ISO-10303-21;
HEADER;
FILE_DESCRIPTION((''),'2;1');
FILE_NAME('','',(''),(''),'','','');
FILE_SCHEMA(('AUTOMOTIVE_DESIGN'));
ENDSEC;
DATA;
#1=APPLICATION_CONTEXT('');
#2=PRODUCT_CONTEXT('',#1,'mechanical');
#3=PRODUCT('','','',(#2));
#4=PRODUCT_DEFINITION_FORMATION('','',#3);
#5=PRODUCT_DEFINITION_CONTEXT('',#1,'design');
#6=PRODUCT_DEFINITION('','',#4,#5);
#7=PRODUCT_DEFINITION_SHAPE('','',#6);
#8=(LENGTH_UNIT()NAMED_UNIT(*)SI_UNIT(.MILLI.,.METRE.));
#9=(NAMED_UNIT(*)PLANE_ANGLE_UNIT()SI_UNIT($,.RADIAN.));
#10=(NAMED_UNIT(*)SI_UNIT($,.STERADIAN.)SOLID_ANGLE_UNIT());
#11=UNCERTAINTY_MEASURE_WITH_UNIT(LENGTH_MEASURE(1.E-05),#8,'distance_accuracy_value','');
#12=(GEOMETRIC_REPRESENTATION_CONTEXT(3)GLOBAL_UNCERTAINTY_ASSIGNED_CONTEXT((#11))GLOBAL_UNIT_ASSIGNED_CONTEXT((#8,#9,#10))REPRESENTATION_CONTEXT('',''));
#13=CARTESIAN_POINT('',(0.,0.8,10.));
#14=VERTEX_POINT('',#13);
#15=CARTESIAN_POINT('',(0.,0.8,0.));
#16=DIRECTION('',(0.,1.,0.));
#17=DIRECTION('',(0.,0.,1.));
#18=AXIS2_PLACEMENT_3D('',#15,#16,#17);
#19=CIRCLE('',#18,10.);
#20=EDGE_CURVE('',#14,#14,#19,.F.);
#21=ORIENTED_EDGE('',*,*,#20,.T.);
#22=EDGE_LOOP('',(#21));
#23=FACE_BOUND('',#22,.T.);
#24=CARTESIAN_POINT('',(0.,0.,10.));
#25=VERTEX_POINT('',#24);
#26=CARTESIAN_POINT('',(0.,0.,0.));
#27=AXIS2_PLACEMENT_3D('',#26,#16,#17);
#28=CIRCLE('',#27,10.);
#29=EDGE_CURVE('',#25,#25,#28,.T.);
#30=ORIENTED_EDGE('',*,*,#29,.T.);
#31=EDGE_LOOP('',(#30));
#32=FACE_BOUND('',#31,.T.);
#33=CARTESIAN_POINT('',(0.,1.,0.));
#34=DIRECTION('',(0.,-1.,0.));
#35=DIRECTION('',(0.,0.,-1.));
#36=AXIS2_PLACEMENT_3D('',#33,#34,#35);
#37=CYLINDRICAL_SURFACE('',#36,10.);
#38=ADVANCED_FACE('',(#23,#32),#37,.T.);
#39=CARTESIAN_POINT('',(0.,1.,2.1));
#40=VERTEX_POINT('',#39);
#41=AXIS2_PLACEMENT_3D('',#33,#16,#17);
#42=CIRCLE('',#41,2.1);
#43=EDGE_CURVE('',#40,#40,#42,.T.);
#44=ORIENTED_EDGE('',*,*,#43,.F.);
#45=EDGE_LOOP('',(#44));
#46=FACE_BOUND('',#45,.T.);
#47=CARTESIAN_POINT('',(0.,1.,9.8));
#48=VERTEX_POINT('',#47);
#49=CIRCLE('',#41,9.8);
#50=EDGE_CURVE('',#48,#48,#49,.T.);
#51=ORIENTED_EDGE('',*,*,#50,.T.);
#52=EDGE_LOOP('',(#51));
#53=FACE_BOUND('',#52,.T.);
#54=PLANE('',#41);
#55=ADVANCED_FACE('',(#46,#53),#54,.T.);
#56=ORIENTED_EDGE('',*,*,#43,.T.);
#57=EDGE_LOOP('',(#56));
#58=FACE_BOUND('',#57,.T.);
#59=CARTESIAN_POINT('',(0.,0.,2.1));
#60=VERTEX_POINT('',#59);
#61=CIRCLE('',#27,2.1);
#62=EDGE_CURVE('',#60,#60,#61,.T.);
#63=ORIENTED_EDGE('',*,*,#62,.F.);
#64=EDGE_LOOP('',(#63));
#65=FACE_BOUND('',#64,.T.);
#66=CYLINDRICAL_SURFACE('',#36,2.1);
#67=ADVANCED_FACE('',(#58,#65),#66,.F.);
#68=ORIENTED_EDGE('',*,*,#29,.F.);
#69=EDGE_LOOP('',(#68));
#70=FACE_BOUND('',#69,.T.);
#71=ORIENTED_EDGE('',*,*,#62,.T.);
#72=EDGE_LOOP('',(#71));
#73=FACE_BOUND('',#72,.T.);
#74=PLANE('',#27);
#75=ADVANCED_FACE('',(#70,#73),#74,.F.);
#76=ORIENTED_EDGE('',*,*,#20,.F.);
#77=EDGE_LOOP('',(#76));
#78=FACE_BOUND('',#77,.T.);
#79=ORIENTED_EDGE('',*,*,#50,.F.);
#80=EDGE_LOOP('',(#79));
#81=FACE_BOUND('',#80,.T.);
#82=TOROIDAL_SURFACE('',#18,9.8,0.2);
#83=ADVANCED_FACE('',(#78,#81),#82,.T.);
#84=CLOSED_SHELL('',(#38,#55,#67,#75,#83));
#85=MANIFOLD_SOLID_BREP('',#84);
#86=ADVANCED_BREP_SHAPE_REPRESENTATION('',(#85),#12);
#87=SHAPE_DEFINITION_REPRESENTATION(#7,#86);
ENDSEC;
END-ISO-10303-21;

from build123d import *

# Parameters (mm, degrees)
SKETCH_1_R      = 10
SKETCH_1_R_2    = 2.1
EXTRUDE_1_DEPTH = 1
FILLET_1_R      = 0.2


with BuildPart() as part:
    # 草图1 → 凸台-拉伸1 (new body)
    with BuildSketch(Plane(origin=(0, 0, 0), x_dir=(1, 0, 0), z_dir=(0, 1, 0))):
        with Locations(Location((0, 0, 0), (0, 0, 270))):
            Circle(SKETCH_1_R)
        with Locations(Location((0, 0, 0), (0, 0, 270))):
            Circle(SKETCH_1_R_2, mode=Mode.SUBTRACT)
    extrude(amount=EXTRUDE_1_DEPTH)

    # 圆角1
    fillet_1_edges = [part.edges().sort_by_distance(p)[0] for p in [
        (0, 1, -10),
    ]]
    fillet(fillet_1_edges, radius=FILLET_1_R)


solid = part.part
